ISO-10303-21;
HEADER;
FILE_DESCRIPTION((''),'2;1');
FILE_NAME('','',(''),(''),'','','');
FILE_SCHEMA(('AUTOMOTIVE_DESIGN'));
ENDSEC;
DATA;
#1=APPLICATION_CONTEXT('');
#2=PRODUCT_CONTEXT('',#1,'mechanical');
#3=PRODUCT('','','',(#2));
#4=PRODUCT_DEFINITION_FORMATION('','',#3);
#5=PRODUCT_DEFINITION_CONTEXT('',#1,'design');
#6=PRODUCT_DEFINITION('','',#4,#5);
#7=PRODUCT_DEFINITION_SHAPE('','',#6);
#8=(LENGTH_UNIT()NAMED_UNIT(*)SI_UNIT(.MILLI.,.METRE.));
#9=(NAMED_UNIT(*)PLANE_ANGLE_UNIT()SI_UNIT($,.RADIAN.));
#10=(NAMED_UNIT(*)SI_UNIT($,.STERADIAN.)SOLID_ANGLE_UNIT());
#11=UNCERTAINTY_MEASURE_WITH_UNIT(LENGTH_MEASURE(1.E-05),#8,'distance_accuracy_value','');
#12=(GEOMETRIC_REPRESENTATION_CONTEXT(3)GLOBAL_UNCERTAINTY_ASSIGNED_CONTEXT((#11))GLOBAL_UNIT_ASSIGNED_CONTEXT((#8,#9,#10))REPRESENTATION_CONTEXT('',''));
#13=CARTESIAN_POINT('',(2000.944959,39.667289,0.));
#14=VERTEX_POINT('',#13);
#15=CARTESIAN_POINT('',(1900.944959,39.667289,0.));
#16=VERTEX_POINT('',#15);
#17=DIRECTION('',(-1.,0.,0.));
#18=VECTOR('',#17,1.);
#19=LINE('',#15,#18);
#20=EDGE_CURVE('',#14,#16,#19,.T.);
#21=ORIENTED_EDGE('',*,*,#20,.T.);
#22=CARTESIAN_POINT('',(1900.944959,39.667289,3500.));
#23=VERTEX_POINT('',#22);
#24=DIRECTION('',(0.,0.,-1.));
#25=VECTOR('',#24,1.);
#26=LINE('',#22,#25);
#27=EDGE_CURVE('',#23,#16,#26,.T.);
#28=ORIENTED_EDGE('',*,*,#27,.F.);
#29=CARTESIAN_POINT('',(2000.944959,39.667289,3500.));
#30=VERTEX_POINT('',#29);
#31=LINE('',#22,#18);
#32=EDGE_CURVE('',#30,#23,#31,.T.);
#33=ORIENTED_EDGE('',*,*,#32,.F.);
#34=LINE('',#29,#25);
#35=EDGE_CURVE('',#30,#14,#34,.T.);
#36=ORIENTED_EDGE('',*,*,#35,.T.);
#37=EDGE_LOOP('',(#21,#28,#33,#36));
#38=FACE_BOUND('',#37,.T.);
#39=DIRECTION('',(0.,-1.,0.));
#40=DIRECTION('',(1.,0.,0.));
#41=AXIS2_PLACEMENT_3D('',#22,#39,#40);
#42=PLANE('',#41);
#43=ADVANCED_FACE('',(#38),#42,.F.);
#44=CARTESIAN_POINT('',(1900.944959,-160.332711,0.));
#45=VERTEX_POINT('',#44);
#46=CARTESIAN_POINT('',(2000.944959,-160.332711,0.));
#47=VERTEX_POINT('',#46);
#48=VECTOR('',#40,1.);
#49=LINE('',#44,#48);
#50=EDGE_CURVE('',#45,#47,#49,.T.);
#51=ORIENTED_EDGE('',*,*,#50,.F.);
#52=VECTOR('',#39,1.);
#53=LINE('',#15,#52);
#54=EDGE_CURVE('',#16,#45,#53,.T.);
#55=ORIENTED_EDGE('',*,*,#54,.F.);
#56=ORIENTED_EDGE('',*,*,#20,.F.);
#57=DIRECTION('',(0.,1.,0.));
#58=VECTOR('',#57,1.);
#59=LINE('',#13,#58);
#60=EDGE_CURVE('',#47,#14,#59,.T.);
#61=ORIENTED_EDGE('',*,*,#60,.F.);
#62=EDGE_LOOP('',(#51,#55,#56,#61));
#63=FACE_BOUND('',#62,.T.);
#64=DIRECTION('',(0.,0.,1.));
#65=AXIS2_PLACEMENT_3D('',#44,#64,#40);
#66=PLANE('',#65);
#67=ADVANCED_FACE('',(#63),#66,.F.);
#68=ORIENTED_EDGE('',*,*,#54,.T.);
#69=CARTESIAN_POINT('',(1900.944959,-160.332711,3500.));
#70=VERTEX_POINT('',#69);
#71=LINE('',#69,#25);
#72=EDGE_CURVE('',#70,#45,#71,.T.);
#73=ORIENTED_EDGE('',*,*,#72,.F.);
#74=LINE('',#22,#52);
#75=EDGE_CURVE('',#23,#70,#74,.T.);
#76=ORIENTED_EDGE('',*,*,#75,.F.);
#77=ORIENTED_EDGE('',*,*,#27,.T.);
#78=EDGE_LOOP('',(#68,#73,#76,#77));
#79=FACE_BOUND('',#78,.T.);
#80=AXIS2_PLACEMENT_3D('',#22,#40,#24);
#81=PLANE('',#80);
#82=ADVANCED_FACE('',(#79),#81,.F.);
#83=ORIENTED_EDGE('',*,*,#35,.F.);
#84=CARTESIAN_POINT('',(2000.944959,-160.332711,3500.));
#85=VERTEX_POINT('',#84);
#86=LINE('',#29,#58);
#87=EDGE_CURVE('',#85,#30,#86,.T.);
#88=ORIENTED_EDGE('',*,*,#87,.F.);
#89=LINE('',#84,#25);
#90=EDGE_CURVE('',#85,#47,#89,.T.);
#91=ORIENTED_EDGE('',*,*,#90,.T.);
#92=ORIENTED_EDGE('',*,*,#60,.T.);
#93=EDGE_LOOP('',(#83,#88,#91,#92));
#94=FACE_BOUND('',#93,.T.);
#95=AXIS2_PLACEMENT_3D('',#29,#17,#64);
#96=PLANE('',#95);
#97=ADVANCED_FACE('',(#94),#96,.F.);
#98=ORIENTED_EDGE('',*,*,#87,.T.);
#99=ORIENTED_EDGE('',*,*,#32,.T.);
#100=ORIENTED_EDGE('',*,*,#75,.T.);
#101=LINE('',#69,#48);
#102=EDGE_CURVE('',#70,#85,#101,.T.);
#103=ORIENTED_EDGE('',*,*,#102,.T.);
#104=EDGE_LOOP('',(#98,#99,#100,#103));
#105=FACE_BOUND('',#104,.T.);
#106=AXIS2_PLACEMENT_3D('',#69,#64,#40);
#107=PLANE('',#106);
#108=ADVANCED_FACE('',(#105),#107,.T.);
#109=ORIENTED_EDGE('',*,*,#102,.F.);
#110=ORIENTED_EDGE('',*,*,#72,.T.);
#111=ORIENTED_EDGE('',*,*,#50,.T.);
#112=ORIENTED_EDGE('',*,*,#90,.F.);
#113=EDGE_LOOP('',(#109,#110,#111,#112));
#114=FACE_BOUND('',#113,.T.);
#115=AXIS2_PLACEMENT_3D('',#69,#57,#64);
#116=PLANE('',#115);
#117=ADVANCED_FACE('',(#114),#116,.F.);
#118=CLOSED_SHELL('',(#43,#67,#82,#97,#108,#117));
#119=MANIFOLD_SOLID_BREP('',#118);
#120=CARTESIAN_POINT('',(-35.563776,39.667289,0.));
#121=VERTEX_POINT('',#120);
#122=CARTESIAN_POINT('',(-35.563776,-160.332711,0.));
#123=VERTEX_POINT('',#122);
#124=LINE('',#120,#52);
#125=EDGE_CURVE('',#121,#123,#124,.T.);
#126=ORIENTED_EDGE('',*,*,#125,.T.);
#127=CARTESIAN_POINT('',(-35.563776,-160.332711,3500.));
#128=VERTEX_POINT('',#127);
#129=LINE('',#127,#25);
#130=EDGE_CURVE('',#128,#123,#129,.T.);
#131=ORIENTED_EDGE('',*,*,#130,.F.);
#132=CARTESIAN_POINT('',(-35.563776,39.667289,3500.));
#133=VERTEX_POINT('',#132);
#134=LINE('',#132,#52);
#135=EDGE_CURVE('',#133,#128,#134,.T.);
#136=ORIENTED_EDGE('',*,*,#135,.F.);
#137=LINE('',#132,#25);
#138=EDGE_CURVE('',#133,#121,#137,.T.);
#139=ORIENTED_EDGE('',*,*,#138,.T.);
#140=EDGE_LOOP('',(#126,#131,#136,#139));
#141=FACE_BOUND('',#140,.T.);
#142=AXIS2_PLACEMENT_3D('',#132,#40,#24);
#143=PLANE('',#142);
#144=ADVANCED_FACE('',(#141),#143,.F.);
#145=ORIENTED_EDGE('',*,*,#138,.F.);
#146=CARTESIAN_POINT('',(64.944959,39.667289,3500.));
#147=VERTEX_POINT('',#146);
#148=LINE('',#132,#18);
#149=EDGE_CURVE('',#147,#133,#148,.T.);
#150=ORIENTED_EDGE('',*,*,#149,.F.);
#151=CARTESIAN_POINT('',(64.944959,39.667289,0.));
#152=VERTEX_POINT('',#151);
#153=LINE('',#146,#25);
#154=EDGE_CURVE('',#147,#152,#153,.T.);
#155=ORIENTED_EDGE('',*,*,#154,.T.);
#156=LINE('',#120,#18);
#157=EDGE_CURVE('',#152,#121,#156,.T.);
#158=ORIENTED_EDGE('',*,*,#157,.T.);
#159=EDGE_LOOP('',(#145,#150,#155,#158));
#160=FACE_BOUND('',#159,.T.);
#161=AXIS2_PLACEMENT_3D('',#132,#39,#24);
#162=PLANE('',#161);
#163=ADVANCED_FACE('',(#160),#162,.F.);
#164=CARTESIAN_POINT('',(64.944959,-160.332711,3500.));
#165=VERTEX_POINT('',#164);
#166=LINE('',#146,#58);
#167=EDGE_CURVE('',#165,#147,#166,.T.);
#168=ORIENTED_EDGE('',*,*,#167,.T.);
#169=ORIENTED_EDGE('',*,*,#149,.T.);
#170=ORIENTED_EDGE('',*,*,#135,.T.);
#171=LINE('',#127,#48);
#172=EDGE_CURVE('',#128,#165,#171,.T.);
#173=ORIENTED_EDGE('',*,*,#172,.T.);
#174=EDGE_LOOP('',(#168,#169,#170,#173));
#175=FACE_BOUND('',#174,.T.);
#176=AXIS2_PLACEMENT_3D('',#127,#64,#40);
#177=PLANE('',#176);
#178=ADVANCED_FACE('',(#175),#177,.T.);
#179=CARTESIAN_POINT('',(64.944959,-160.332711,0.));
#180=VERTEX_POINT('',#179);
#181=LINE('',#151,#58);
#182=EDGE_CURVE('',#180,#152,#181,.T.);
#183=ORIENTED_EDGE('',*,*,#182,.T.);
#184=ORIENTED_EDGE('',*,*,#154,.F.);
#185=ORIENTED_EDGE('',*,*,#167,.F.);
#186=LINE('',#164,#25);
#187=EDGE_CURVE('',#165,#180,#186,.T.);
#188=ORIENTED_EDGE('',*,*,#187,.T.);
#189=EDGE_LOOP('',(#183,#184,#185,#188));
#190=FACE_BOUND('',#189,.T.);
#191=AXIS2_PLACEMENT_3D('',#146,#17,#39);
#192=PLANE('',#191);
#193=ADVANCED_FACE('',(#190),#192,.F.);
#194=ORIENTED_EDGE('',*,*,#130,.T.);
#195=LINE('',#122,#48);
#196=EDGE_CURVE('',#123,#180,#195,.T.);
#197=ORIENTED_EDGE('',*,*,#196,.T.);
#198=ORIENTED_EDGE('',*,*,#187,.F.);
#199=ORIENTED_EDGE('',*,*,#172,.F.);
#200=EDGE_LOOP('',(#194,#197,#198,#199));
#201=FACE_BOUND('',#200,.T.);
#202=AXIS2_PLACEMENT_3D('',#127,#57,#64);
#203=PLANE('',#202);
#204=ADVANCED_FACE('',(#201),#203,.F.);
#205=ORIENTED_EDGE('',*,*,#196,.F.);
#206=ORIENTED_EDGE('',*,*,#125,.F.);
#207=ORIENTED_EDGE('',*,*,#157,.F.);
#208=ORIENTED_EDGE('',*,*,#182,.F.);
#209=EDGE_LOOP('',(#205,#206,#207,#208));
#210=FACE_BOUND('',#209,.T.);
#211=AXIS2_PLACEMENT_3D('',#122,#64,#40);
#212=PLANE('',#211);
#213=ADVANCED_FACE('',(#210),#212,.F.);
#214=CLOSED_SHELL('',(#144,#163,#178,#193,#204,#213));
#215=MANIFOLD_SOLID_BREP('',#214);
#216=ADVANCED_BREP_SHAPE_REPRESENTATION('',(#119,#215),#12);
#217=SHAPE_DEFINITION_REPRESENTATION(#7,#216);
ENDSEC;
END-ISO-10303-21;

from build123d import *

# Parameters (mm, degrees)
SKETCH1_W             = 100
SKETCH1_H             = 200
BOSS_EXTRUDE1_DEPTH   = 3500
SKETCH1_W_2           = 100.508735643
BOSS_EXTRUDE1_2_DEPTH = 3500


with BuildPart() as part:
    # Sketch1 → Boss-Extrude1 (new body)
    with BuildSketch(Plane.XY):
        with Locations((1950.944959248, -60.332710944)):
            Rectangle(SKETCH1_W, SKETCH1_H)
    extrude(amount=BOSS_EXTRUDE1_DEPTH)


with BuildPart() as body_2:
    # Sketch1 → Boss-Extrude1 2 (new body)
    with BuildSketch(Plane.XY):
        with Locations((14.690591426, -60.332710944)):
            Rectangle(SKETCH1_W_2, SKETCH1_H)
    extrude(amount=BOSS_EXTRUDE1_2_DEPTH)


solid = Compound([part.part, body_2.part])
